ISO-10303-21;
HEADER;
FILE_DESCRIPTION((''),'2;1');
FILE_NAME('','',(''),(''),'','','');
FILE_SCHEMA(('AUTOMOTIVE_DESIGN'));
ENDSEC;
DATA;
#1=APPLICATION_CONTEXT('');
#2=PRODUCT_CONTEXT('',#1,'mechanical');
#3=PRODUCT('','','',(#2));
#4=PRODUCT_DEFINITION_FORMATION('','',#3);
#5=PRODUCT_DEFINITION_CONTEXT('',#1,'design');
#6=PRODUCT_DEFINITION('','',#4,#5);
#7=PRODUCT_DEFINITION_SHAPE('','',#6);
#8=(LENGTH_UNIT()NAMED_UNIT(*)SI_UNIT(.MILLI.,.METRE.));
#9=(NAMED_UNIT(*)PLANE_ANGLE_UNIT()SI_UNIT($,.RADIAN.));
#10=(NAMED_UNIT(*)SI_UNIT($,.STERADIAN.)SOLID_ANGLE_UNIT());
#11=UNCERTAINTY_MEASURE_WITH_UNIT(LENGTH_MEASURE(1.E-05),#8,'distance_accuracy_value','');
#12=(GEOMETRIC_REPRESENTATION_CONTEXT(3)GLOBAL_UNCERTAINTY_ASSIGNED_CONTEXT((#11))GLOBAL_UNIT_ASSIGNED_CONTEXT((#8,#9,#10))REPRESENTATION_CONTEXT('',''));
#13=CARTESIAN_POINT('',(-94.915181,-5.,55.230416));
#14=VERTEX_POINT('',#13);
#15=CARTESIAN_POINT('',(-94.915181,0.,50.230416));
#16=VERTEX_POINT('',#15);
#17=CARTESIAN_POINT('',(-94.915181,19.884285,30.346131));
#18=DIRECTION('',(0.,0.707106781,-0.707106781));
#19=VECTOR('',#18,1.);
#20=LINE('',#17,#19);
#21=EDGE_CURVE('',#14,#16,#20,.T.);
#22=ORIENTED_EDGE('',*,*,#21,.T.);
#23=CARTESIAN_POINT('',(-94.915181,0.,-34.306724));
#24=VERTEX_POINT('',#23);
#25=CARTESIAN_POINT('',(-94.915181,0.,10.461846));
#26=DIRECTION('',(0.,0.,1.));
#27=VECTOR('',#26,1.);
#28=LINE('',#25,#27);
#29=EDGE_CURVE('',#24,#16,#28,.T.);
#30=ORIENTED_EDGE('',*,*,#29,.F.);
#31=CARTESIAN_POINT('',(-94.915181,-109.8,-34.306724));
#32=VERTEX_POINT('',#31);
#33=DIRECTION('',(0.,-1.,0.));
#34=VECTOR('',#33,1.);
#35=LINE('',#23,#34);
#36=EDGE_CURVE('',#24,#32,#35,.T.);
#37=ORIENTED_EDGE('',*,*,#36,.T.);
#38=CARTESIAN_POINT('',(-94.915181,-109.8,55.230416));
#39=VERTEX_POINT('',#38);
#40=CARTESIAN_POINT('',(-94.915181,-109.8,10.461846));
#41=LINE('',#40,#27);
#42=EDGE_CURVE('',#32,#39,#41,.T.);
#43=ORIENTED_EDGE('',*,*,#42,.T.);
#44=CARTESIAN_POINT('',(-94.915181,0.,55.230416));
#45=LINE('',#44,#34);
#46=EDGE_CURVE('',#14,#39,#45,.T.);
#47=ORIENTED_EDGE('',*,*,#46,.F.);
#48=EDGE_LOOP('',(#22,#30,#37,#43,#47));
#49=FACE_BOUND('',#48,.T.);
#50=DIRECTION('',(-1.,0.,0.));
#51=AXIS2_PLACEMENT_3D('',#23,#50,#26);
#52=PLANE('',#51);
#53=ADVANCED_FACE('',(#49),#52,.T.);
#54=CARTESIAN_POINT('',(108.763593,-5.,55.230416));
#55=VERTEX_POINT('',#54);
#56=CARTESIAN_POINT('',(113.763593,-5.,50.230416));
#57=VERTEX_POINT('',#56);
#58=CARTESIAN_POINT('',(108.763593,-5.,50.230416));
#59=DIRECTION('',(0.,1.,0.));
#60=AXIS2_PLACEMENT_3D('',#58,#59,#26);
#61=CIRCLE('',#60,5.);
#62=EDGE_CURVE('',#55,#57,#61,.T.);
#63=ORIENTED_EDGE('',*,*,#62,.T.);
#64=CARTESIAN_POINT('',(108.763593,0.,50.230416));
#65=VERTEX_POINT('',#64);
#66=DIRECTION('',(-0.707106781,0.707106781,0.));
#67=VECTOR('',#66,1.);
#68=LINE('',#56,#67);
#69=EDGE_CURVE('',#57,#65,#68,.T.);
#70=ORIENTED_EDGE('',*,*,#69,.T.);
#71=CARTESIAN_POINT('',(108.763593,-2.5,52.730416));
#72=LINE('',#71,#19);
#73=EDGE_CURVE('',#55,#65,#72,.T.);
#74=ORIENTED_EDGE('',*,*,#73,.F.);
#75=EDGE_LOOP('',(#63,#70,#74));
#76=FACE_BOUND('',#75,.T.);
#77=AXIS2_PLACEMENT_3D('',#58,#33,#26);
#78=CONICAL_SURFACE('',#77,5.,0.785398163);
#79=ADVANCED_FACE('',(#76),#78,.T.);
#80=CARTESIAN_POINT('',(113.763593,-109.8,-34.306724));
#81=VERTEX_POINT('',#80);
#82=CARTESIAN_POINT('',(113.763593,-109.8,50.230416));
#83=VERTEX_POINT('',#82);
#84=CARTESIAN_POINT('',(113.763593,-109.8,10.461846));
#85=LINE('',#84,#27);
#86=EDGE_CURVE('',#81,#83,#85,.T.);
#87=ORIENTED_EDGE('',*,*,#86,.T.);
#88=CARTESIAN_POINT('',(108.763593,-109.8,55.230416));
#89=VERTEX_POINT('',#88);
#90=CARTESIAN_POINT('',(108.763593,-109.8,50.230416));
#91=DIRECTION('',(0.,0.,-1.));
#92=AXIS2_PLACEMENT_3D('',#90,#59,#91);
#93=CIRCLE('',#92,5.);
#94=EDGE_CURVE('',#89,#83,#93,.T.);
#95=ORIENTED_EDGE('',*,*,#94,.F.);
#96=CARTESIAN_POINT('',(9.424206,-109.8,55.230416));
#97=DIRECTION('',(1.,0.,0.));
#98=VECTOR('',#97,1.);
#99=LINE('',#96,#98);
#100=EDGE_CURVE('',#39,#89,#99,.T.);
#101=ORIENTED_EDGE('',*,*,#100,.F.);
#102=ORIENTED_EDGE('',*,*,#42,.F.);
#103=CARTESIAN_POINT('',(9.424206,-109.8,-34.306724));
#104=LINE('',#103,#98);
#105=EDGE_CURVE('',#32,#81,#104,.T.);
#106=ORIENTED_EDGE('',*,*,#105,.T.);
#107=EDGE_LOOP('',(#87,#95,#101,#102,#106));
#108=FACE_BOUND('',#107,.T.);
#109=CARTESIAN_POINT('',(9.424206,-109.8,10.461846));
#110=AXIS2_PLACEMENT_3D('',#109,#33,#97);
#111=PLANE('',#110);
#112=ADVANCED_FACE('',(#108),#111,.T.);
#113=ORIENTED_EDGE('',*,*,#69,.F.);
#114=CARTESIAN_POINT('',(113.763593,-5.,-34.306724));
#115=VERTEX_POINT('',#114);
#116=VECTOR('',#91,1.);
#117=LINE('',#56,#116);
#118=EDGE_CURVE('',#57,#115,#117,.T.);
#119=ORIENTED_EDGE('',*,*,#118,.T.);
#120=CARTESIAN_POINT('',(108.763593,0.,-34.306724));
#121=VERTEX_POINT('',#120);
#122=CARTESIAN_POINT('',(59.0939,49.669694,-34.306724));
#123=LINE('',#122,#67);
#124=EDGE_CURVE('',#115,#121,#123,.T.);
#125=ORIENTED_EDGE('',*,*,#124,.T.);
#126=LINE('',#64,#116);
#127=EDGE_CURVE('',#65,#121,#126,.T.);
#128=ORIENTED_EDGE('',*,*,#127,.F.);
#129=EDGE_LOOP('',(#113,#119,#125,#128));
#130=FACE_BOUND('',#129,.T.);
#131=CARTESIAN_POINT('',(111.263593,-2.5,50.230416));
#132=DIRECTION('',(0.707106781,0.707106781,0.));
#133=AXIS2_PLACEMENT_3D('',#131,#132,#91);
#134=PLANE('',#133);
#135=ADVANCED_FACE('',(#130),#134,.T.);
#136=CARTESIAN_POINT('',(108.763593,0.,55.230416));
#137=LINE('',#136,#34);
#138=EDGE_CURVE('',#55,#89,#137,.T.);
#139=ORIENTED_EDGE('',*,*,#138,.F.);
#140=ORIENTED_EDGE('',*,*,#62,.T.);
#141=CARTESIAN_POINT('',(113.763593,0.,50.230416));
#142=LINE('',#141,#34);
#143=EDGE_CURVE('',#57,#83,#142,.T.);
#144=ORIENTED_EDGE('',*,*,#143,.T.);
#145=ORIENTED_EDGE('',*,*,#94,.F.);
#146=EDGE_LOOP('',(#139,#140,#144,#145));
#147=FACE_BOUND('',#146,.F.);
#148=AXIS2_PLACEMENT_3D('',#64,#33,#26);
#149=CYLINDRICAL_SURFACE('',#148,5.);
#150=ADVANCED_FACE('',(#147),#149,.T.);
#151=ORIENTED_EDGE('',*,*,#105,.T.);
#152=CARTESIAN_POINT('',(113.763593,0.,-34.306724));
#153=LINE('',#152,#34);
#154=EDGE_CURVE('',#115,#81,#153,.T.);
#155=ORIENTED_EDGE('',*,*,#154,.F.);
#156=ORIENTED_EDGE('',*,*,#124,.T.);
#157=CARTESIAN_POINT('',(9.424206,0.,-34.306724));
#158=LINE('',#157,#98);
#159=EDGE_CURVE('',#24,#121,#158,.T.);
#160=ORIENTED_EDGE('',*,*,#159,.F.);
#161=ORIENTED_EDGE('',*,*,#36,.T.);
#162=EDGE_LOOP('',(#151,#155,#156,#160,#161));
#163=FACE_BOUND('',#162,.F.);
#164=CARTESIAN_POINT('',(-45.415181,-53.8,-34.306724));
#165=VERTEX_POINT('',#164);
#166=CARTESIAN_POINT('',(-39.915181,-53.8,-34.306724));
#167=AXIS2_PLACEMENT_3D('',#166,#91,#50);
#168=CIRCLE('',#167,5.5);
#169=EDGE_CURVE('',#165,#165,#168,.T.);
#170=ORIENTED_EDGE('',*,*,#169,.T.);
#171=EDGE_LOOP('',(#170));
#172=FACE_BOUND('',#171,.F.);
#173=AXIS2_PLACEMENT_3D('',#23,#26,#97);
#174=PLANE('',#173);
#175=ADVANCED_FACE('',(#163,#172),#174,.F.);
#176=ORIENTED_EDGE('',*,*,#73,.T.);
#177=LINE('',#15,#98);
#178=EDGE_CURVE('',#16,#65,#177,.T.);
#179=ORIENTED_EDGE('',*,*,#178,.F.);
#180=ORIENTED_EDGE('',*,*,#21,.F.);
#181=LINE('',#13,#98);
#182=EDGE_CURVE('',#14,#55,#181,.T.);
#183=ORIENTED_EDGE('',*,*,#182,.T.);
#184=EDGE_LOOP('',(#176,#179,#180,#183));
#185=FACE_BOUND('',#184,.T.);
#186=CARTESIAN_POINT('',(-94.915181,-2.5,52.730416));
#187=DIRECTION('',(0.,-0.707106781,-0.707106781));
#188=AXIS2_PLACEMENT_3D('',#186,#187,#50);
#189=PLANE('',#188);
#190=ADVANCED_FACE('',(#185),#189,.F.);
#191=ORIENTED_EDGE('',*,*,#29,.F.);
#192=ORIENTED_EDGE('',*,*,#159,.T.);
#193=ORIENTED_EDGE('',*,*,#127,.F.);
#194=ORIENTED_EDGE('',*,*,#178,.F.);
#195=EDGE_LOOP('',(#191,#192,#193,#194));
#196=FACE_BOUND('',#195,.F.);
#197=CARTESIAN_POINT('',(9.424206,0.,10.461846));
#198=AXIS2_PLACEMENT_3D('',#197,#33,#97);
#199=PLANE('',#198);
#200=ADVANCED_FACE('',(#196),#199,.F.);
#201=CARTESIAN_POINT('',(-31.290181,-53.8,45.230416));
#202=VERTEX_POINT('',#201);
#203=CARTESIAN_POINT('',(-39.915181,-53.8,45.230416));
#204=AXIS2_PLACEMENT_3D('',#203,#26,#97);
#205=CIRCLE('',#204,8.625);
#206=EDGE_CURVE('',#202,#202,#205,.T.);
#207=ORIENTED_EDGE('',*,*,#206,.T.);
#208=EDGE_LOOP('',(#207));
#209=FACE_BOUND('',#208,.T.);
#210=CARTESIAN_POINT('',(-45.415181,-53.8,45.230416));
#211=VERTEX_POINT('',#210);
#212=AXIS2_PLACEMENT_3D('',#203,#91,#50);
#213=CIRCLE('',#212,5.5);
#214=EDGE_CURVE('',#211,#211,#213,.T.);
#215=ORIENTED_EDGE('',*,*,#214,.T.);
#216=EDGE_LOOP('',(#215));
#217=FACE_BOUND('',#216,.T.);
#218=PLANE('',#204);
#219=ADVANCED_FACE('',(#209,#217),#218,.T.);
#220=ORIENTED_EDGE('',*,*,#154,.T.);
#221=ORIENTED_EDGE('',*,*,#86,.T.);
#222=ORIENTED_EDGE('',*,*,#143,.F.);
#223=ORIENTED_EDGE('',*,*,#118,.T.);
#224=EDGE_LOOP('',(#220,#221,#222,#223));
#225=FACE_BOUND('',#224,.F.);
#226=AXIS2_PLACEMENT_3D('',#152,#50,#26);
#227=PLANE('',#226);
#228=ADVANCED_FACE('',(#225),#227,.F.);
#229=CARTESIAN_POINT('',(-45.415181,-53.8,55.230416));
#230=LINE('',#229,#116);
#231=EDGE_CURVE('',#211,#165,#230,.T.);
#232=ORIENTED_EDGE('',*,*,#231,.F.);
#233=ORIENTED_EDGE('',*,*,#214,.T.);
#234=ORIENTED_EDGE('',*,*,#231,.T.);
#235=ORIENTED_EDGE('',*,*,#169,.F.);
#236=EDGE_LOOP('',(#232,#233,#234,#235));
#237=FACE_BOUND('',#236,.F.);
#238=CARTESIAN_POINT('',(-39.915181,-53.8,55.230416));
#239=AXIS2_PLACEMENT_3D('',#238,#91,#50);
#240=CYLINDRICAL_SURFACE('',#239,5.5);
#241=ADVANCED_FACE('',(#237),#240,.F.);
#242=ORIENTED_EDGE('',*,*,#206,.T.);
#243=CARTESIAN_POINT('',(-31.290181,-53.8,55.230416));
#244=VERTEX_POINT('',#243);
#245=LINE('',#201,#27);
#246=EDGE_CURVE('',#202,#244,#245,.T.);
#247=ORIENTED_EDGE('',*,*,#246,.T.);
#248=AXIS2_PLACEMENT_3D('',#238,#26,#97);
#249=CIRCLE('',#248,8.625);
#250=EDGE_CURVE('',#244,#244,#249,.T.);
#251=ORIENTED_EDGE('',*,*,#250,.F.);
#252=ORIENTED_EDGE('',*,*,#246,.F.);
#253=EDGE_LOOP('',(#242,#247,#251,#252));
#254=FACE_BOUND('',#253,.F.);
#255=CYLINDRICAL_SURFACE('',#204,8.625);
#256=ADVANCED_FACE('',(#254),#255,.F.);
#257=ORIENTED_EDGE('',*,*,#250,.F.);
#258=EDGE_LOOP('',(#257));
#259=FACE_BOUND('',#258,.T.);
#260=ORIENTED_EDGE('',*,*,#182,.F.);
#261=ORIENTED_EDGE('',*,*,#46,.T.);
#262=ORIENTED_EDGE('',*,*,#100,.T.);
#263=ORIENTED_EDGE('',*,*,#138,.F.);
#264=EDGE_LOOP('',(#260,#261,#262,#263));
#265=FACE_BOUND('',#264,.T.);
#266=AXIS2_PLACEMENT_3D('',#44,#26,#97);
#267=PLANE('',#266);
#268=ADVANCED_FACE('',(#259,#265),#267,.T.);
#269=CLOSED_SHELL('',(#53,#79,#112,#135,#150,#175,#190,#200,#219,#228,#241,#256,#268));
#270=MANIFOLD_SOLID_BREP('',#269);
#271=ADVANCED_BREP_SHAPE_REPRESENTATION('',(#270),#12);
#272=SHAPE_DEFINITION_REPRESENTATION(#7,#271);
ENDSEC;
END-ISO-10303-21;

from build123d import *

# Parameters (mm, degrees)
F0_W           = 208.6787745357
F0_H           = 89.537139982
F1_DEPTH       = 109.8
F3_D           = 11
F3_CBORE_D     = 17.25
F3_CBORE_DEPTH = 10
F4_R           = 5
F5_SIZE        = 5


with BuildPart() as f1:
    # F0 (on Front) → F1 (new body)
    with BuildSketch(Plane.XZ):
        with Locations((9.4242058694, 10.4618463665)):
            Rectangle(F0_W, F0_H)
    extrude(amount=F1_DEPTH)

    # F3 (through all)
    with Locations(Plane.XY.offset(55.2304163575)):
        with Locations((-39.9151813984, -53.8)):
            CounterBoreHole(F3_D / 2, F3_CBORE_D / 2, F3_CBORE_DEPTH)

    # F4
    f4_edges = [f1.edges().sort_by_distance(p)[0] for p in [
        (113.763593, -54.9, 55.230416),
    ]]
    fillet(f4_edges, radius=F4_R)

    # F5
    f5_edges = [f1.edges().sort_by_distance(p)[0] for p in [
        (6.924206, 0, 55.230416),
    ]]
    chamfer(f5_edges, length=F5_SIZE)


solid = f1.part
